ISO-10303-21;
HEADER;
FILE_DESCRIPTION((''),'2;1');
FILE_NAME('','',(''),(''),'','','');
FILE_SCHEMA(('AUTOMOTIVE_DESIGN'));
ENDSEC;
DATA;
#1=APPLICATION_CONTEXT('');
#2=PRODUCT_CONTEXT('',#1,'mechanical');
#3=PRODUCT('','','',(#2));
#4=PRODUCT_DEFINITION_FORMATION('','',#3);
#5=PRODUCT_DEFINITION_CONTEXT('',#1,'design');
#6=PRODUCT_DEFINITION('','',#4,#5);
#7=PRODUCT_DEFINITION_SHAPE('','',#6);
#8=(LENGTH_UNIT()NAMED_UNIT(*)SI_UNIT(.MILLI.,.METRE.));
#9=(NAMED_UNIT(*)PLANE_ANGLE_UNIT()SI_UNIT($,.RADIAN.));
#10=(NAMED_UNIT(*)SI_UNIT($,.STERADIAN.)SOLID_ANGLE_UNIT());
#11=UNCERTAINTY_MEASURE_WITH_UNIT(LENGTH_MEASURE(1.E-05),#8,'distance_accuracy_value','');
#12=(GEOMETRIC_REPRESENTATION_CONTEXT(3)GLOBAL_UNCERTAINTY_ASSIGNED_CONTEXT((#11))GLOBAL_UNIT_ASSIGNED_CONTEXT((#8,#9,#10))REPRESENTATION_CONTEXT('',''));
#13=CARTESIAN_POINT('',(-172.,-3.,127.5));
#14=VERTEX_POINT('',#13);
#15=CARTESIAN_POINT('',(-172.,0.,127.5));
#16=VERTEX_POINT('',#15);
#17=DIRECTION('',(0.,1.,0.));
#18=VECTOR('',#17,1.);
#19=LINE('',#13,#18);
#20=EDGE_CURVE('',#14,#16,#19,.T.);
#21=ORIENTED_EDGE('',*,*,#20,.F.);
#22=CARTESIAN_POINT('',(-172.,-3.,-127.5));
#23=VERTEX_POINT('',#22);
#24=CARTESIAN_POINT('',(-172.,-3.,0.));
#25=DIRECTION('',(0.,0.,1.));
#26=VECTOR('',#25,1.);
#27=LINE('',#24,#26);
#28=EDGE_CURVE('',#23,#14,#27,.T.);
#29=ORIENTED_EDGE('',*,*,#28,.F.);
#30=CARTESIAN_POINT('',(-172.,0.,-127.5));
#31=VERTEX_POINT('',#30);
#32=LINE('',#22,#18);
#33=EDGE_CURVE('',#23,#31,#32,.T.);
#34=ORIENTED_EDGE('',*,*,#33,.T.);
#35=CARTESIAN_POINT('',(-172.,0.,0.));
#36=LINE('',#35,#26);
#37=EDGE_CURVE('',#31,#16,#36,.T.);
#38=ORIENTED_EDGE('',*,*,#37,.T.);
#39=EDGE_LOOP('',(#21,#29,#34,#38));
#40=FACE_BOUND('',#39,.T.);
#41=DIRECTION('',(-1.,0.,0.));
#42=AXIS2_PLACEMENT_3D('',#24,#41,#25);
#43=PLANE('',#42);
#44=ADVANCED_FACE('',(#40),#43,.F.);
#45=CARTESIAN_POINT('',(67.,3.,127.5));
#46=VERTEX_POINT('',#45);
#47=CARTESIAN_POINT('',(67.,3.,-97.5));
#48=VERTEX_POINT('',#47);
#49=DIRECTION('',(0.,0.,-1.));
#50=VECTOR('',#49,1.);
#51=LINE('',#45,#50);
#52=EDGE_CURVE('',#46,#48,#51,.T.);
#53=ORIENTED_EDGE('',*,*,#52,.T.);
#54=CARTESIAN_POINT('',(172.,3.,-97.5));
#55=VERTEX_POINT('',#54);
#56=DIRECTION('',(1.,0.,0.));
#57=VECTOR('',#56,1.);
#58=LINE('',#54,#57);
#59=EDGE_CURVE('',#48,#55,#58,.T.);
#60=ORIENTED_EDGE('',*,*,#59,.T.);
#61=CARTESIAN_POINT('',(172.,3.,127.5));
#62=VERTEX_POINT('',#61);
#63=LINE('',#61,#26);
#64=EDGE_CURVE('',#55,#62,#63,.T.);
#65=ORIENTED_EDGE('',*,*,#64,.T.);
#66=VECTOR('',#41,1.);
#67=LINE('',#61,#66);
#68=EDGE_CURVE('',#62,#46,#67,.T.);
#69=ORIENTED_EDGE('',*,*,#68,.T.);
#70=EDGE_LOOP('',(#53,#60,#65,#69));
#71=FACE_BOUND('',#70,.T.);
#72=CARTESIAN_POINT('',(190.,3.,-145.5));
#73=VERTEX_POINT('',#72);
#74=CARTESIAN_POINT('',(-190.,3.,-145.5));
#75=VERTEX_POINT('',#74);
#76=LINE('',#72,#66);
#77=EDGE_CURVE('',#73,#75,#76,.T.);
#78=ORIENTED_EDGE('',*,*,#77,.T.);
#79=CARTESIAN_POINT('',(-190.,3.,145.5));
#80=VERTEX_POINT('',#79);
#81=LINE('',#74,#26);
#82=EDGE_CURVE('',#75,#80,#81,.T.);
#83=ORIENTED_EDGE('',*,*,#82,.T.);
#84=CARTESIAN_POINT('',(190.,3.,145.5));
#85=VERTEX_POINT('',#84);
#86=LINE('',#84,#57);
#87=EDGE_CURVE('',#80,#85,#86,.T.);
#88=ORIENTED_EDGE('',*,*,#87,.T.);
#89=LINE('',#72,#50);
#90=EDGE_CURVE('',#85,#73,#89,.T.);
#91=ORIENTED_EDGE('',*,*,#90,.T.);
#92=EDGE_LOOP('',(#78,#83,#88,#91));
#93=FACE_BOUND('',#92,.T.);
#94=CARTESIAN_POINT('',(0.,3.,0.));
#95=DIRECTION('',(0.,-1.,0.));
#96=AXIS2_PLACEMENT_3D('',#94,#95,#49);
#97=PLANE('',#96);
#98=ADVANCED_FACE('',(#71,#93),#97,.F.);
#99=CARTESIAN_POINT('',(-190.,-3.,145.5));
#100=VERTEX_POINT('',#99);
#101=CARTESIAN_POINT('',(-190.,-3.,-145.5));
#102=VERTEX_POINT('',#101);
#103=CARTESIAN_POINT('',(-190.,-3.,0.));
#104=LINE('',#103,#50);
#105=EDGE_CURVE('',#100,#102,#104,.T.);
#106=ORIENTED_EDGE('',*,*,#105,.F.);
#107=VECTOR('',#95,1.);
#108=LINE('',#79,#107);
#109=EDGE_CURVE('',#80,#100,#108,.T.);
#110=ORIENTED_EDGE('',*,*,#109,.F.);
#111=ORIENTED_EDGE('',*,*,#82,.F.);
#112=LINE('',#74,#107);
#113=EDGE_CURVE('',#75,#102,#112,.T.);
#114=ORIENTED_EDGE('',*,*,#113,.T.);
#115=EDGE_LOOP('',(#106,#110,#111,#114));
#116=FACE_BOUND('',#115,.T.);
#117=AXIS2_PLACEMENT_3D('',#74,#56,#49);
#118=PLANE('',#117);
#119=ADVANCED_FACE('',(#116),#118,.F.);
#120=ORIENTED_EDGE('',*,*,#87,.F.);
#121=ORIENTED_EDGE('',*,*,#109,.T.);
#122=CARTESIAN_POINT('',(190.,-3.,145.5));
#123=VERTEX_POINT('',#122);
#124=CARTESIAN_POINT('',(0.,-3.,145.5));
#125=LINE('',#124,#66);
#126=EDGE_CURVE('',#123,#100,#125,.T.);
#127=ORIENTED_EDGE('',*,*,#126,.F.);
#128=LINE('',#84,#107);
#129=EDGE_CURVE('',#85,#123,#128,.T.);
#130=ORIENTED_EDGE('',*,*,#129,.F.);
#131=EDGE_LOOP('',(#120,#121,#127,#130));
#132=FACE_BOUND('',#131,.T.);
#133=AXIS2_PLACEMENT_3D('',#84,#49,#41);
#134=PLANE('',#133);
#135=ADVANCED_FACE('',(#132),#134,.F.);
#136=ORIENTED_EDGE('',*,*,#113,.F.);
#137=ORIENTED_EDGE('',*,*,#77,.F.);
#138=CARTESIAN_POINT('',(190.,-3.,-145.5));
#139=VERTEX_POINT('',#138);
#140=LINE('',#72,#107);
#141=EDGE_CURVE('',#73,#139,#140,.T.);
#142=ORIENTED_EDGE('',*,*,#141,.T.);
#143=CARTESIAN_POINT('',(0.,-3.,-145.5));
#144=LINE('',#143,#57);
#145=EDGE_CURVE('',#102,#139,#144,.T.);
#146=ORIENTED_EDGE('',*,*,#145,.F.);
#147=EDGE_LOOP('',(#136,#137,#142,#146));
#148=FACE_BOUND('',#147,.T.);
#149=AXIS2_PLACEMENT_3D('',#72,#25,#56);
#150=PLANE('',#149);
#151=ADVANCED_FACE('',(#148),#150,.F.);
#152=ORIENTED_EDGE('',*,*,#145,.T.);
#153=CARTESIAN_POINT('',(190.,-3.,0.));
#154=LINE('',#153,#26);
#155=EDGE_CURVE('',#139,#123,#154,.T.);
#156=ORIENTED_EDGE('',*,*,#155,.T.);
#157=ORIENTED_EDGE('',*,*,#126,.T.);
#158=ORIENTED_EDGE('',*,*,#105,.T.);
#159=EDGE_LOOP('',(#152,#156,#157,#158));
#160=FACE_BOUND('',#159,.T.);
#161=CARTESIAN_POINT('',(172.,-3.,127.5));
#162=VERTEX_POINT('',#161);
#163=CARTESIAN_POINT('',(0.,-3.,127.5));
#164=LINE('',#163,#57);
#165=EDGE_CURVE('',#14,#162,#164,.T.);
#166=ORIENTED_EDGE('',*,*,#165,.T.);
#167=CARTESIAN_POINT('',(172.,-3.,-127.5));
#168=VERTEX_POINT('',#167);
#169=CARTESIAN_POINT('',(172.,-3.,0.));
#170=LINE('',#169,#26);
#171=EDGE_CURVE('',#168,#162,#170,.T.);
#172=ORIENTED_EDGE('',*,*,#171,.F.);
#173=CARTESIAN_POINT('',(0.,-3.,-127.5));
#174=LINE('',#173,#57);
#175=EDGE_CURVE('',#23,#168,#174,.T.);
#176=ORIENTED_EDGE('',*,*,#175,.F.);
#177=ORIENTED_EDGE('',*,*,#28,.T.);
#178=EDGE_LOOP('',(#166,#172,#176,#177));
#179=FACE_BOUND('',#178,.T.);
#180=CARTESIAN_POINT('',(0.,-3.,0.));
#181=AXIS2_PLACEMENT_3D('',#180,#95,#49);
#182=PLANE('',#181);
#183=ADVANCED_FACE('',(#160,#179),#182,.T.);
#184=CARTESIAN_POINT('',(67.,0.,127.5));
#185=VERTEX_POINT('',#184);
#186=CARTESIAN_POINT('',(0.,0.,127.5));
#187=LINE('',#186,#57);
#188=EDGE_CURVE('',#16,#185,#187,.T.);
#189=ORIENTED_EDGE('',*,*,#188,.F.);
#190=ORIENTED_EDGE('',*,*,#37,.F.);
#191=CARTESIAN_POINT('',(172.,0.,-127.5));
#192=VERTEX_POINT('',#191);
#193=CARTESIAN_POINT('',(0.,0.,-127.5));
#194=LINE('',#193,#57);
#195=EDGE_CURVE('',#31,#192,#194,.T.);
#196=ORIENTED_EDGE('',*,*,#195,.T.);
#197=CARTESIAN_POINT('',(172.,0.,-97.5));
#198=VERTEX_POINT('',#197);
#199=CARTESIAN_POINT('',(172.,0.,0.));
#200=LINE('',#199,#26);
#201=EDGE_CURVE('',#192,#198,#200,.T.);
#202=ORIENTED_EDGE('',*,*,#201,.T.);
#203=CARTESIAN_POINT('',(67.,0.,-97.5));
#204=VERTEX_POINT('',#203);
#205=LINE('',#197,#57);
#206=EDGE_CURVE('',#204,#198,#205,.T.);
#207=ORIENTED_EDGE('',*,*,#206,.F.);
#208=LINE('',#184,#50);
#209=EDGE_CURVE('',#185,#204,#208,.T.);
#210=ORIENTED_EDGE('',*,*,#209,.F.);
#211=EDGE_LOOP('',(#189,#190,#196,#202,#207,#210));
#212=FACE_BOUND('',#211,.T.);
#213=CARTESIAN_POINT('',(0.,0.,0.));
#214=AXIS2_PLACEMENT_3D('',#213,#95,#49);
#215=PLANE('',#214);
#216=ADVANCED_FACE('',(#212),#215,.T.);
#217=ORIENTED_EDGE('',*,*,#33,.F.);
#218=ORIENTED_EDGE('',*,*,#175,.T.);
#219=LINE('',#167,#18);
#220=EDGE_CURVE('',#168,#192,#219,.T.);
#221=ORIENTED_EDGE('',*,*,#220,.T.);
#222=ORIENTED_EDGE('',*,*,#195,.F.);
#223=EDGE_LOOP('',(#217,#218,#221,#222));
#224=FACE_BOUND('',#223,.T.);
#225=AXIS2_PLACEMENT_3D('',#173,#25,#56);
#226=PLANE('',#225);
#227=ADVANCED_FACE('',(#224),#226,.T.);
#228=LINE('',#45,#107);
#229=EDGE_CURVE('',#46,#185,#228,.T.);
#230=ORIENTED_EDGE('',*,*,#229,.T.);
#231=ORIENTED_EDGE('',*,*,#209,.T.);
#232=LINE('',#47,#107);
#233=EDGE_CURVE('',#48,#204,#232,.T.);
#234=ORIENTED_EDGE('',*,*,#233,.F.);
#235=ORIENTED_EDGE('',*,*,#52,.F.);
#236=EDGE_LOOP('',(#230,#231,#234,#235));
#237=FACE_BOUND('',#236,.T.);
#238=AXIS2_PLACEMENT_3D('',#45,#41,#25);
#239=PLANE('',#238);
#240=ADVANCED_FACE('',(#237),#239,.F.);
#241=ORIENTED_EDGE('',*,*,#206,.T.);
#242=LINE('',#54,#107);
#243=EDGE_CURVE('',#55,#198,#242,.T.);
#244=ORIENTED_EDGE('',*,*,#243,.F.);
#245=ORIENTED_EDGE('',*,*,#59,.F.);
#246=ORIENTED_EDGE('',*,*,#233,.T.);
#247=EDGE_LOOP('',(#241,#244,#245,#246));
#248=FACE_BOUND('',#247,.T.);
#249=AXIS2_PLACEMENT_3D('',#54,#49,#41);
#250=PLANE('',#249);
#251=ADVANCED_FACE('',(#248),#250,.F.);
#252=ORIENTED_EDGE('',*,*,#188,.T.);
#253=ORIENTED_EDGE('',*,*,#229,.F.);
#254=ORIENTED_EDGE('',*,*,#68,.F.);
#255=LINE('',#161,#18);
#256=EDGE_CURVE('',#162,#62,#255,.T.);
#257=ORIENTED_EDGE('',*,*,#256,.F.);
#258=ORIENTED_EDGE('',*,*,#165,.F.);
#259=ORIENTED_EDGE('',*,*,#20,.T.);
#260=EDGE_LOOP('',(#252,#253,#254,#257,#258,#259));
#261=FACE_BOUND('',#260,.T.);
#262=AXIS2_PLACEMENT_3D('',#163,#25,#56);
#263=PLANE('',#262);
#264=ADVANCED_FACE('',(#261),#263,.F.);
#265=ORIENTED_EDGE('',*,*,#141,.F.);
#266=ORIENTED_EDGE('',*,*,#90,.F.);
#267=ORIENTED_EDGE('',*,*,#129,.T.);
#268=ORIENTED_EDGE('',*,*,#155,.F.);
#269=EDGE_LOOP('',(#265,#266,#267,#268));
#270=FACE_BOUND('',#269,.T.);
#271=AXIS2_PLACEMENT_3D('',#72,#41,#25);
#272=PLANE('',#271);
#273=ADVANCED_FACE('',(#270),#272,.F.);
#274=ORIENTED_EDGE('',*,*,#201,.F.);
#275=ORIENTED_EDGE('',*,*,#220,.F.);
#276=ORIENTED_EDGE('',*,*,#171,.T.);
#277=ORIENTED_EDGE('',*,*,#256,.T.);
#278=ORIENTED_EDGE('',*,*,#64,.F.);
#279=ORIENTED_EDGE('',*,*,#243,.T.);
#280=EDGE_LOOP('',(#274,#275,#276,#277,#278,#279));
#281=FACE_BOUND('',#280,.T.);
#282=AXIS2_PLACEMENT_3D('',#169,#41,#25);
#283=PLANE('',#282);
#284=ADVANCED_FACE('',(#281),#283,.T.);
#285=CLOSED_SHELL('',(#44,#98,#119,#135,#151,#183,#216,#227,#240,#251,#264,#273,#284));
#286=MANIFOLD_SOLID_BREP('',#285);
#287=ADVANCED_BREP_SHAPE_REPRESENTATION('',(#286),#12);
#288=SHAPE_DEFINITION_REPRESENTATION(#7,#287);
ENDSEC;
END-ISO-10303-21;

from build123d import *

# Parameters (mm, degrees)
SKETCH_1_W          = 380
SKETCH_1_H          = 291
EXTRUDE_1_DEPTH     = 3
SKETCH_2_W          = 380
SKETCH_2_H          = 291
SKETCH_2_W_2        = 344
SKETCH_2_H_2        = 255
EXTRUDE_3_DEPTH     = 3
SKETCH_7_W          = 105
SKETCH_7_H          = 225
CUT_EXTRUDE_1_DEPTH = 3


with BuildPart() as part:
    # Эскиз1 → Бобышка-Вытянуть1 (new body)
    with BuildSketch(Plane(origin=(0, 0, 0), x_dir=(1, 0, 0), z_dir=(0, 1, 0))):
        Rectangle(SKETCH_1_W, SKETCH_1_H)
    extrude(amount=EXTRUDE_1_DEPTH)

    # Эскиз2 → Бобышка-Вытянуть3 (add)
    with BuildSketch(Plane.XZ):
        Rectangle(SKETCH_2_W, SKETCH_2_H)
        Rectangle(SKETCH_2_W_2, SKETCH_2_H_2, mode=Mode.SUBTRACT)
    extrude(amount=EXTRUDE_3_DEPTH)

    # Эскиз7 → Вырез-Вытянуть1 (cut)
    with BuildSketch(Plane.XZ):
        with Locations((119.5, 15)):
            Rectangle(SKETCH_7_W, SKETCH_7_H)
    extrude(amount=-CUT_EXTRUDE_1_DEPTH, mode=Mode.SUBTRACT)


solid = part.part
